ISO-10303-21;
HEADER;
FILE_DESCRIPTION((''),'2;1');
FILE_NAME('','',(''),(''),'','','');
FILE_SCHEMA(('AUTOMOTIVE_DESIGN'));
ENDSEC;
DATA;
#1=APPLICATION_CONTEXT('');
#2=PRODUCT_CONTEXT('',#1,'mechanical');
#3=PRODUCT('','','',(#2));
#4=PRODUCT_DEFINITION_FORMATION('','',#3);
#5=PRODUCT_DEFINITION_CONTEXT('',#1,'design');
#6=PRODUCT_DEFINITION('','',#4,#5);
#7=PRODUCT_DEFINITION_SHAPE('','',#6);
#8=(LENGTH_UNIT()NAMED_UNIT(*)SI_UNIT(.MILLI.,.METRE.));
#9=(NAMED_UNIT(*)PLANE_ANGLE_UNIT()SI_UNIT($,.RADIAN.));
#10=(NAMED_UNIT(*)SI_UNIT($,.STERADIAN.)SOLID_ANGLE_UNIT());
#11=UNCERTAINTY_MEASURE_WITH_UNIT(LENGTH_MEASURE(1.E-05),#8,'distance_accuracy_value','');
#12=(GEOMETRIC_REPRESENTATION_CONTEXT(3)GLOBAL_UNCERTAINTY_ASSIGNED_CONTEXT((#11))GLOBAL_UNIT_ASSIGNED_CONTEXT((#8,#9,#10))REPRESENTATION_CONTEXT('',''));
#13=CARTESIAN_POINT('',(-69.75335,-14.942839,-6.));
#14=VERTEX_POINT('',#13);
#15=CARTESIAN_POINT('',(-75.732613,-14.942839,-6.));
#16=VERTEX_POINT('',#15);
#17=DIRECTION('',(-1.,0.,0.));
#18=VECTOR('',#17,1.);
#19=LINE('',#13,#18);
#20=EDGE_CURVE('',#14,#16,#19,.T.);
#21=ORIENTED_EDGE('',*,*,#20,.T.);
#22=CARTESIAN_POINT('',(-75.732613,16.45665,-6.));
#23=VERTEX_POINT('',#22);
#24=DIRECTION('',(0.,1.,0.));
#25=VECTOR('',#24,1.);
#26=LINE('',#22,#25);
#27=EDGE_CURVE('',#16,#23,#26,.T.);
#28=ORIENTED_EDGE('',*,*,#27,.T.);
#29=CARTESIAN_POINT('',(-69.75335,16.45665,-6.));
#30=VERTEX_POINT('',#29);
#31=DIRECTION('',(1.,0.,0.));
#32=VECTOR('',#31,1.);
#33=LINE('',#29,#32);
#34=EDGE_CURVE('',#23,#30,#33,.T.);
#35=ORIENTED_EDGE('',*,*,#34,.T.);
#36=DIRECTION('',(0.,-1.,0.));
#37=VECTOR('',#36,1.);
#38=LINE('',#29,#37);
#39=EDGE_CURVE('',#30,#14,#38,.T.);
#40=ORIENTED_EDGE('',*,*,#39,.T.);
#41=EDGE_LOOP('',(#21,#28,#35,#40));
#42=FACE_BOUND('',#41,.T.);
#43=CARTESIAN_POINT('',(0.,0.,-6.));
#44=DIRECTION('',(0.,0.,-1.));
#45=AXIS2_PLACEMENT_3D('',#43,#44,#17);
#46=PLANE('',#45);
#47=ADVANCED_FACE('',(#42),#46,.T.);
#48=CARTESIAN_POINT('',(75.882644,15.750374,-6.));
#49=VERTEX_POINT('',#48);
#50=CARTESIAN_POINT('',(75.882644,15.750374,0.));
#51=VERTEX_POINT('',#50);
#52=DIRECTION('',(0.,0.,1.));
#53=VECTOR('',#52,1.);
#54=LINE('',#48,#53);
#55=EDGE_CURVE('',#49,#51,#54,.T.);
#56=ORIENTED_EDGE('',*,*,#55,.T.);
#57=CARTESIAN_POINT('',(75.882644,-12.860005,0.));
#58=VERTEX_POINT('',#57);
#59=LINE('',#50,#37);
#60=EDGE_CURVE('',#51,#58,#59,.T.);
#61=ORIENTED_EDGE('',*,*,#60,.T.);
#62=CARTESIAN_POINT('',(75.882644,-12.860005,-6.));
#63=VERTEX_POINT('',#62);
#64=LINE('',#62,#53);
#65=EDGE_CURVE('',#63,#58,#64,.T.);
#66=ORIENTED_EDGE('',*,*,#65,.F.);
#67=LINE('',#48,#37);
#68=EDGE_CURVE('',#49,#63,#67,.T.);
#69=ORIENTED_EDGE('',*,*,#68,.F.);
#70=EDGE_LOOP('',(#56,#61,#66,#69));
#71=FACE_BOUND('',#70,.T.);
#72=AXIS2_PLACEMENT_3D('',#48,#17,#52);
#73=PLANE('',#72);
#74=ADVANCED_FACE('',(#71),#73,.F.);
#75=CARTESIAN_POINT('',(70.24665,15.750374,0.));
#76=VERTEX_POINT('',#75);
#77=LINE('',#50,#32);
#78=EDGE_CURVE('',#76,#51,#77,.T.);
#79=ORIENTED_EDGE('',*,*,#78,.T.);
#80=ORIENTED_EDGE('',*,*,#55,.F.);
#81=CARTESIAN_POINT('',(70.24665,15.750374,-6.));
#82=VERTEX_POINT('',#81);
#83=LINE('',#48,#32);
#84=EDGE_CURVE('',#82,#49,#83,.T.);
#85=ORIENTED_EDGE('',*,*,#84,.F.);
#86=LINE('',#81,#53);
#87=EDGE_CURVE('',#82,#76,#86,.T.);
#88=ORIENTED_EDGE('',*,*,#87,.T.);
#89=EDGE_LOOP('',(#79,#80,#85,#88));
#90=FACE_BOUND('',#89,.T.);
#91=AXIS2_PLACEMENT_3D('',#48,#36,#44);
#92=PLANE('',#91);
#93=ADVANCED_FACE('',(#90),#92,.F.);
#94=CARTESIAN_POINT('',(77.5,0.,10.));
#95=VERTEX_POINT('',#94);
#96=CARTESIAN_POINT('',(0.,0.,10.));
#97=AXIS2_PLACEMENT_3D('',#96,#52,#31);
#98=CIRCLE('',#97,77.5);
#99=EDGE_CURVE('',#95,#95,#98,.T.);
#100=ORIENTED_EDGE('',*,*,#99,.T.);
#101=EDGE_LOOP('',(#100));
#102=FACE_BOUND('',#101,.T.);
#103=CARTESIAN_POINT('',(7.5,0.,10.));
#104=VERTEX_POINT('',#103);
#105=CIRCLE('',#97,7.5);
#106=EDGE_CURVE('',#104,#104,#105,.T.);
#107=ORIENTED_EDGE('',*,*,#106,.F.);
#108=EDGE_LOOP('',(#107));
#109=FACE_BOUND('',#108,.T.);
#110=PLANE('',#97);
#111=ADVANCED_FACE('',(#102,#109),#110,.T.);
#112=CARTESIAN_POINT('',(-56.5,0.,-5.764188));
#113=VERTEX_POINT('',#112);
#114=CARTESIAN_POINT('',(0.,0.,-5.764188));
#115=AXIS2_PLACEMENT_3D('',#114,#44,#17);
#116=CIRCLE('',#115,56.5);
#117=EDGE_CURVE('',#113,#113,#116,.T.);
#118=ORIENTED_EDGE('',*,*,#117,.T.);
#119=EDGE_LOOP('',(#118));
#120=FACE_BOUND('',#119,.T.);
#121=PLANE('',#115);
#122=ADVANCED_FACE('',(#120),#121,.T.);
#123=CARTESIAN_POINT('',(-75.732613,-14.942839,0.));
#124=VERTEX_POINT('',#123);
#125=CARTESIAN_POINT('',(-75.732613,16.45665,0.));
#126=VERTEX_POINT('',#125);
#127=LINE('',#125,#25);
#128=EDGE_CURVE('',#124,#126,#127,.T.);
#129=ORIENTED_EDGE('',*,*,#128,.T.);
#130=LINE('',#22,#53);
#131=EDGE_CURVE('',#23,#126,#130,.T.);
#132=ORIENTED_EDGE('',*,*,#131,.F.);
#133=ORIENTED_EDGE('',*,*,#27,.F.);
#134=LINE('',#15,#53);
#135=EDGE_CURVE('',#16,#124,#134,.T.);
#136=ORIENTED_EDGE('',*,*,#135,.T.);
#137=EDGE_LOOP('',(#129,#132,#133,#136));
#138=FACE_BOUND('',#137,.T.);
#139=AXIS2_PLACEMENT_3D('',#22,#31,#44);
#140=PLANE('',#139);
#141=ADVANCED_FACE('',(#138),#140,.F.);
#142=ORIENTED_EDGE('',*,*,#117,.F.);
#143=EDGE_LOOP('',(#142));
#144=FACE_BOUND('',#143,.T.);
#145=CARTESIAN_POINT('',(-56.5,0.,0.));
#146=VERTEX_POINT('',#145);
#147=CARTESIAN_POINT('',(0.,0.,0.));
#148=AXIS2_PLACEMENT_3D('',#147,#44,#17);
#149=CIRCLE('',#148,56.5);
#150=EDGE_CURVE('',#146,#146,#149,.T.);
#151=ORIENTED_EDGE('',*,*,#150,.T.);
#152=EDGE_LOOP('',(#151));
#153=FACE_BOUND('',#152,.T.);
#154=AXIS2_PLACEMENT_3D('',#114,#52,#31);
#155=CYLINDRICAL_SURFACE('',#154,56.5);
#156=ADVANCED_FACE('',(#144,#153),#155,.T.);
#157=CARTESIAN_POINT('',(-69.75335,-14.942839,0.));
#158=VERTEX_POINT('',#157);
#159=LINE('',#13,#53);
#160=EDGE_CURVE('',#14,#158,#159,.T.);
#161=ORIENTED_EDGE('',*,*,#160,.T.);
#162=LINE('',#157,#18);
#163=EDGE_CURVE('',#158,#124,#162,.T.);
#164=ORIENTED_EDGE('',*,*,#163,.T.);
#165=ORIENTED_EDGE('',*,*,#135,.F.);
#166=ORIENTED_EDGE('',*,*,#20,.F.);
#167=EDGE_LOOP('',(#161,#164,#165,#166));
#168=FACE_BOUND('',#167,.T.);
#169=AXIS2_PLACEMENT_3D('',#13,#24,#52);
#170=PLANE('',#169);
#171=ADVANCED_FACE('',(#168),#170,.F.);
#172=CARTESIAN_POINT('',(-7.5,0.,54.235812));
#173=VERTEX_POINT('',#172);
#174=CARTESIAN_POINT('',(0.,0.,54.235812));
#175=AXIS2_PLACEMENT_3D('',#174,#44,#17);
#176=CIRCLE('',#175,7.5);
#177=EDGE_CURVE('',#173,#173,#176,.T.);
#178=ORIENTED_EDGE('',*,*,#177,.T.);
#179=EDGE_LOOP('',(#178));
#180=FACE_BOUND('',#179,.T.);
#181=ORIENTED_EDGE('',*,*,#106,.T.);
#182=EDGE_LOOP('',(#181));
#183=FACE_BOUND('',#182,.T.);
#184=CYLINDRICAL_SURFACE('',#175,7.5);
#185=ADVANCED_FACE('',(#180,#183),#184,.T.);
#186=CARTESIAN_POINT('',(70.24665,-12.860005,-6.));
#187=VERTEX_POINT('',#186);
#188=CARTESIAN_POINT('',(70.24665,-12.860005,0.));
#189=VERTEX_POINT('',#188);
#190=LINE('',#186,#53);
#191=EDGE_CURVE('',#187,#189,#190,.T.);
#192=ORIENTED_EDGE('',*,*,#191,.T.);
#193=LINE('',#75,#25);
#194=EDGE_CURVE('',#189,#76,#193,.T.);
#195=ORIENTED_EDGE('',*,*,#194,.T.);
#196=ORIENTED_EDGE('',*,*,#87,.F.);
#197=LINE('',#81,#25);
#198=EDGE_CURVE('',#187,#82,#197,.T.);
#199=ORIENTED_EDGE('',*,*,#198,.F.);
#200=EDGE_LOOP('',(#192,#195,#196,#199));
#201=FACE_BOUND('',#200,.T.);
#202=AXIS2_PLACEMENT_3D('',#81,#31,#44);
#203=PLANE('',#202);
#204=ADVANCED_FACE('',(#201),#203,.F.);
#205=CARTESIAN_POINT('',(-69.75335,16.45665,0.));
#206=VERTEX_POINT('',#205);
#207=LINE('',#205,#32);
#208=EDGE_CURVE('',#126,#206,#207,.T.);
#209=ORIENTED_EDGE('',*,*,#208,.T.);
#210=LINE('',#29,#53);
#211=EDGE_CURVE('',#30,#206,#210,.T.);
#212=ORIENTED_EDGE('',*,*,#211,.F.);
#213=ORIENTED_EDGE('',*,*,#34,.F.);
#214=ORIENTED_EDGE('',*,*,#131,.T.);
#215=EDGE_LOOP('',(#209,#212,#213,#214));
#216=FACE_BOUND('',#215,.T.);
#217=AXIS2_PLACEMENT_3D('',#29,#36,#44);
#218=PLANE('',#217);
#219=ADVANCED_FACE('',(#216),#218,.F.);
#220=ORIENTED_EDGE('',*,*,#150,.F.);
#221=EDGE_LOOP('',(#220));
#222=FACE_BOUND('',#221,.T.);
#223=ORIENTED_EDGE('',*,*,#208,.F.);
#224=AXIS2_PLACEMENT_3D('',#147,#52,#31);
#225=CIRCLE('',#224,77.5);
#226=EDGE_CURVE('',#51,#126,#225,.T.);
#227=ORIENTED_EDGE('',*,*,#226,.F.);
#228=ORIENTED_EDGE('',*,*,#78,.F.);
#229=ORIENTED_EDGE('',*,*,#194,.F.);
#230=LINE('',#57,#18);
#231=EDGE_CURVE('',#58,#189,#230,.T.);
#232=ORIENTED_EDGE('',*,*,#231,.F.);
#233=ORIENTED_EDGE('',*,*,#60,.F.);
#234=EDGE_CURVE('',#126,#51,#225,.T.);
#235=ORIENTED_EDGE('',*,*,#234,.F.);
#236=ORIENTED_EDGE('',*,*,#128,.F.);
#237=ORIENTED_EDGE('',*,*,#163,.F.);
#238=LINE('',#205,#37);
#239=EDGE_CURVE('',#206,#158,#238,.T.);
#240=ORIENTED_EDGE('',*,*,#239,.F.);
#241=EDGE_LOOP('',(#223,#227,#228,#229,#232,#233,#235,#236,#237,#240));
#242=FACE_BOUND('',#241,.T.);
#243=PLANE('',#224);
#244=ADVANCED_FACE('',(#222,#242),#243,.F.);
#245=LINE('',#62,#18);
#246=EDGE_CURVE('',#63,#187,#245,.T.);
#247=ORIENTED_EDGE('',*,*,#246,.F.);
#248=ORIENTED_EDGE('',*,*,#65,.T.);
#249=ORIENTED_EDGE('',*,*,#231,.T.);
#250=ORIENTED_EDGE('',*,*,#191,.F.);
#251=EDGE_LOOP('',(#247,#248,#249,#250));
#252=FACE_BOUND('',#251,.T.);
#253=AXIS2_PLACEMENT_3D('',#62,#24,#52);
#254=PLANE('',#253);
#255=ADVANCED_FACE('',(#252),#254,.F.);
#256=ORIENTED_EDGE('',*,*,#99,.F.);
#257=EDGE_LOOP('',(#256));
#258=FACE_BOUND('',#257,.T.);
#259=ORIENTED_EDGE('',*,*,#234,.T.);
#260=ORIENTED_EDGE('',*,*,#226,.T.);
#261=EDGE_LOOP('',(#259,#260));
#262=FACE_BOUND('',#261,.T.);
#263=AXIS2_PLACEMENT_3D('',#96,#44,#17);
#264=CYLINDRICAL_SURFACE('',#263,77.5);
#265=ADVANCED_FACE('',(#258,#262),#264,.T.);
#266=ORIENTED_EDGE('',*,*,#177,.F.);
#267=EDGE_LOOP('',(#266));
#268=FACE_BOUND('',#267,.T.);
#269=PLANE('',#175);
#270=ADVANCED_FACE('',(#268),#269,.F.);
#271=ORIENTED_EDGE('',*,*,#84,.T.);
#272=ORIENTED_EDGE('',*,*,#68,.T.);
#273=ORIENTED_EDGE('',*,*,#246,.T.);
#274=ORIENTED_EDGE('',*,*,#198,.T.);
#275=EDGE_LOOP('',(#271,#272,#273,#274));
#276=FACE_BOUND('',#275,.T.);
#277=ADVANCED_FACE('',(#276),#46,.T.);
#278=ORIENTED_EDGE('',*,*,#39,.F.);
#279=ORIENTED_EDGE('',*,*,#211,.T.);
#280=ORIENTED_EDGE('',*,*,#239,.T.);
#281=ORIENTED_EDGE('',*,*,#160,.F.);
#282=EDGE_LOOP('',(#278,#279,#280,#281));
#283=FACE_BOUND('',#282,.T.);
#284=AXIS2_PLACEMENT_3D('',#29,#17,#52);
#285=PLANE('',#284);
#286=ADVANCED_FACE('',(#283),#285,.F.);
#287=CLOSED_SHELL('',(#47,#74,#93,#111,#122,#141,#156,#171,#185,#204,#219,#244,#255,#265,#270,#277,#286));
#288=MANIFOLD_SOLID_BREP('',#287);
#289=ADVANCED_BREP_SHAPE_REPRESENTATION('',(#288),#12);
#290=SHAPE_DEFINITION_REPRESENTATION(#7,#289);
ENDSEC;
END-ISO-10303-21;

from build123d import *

# Parameters (mm, degrees)
SKETCH1_R           = 77.5
BOSS_EXTRUDE1_DEPTH = 10
SKETCH2_R           = 56.5
BOSS_EXTRUDE2_DEPTH = 5.764188233
SKETCH3_R           = 7.5
BOSS_EXTRUDE3_DEPTH = 60
SKETCH4_W           = 5.635994667
SKETCH4_H           = 28.610379267
SKETCH4_W_2         = 5.979262635
SKETCH4_H_2         = 31.399489247
BOSS_EXTRUDE4_DEPTH = 6


with BuildPart() as part:
    # Sketch1 → Boss-Extrude1 (new body)
    with BuildSketch(Plane.XY):
        Circle(SKETCH1_R)
    extrude(amount=BOSS_EXTRUDE1_DEPTH)

    # Sketch2 → Boss-Extrude2 (add)
    with BuildSketch(Plane(origin=(0, 0, 0), x_dir=(-1, 0, 0), z_dir=(0, 0, -1))):
        Circle(SKETCH2_R)
    extrude(amount=BOSS_EXTRUDE2_DEPTH)

    # Sketch3 → Boss-Extrude3 (add)
    with BuildSketch(Plane(origin=(0, 0, -5.764188233), x_dir=(-1, 0, 0), z_dir=(0, 0, -1))):
        Circle(SKETCH3_R)
    extrude(amount=-BOSS_EXTRUDE3_DEPTH)

    # Sketch4 → Boss-Extrude4 (add)
    with BuildSketch(Plane(origin=(0, 0, 0), x_dir=(-1, 0, 0), z_dir=(0, 0, -1))):
        with Locations((-73.064647, 1.445184616)):
            Rectangle(SKETCH4_W, SKETCH4_H)
        with Locations((72.742981652, 0.756905489)):
            Rectangle(SKETCH4_W_2, SKETCH4_H_2)
    extrude(amount=BOSS_EXTRUDE4_DEPTH)


solid = part.part
